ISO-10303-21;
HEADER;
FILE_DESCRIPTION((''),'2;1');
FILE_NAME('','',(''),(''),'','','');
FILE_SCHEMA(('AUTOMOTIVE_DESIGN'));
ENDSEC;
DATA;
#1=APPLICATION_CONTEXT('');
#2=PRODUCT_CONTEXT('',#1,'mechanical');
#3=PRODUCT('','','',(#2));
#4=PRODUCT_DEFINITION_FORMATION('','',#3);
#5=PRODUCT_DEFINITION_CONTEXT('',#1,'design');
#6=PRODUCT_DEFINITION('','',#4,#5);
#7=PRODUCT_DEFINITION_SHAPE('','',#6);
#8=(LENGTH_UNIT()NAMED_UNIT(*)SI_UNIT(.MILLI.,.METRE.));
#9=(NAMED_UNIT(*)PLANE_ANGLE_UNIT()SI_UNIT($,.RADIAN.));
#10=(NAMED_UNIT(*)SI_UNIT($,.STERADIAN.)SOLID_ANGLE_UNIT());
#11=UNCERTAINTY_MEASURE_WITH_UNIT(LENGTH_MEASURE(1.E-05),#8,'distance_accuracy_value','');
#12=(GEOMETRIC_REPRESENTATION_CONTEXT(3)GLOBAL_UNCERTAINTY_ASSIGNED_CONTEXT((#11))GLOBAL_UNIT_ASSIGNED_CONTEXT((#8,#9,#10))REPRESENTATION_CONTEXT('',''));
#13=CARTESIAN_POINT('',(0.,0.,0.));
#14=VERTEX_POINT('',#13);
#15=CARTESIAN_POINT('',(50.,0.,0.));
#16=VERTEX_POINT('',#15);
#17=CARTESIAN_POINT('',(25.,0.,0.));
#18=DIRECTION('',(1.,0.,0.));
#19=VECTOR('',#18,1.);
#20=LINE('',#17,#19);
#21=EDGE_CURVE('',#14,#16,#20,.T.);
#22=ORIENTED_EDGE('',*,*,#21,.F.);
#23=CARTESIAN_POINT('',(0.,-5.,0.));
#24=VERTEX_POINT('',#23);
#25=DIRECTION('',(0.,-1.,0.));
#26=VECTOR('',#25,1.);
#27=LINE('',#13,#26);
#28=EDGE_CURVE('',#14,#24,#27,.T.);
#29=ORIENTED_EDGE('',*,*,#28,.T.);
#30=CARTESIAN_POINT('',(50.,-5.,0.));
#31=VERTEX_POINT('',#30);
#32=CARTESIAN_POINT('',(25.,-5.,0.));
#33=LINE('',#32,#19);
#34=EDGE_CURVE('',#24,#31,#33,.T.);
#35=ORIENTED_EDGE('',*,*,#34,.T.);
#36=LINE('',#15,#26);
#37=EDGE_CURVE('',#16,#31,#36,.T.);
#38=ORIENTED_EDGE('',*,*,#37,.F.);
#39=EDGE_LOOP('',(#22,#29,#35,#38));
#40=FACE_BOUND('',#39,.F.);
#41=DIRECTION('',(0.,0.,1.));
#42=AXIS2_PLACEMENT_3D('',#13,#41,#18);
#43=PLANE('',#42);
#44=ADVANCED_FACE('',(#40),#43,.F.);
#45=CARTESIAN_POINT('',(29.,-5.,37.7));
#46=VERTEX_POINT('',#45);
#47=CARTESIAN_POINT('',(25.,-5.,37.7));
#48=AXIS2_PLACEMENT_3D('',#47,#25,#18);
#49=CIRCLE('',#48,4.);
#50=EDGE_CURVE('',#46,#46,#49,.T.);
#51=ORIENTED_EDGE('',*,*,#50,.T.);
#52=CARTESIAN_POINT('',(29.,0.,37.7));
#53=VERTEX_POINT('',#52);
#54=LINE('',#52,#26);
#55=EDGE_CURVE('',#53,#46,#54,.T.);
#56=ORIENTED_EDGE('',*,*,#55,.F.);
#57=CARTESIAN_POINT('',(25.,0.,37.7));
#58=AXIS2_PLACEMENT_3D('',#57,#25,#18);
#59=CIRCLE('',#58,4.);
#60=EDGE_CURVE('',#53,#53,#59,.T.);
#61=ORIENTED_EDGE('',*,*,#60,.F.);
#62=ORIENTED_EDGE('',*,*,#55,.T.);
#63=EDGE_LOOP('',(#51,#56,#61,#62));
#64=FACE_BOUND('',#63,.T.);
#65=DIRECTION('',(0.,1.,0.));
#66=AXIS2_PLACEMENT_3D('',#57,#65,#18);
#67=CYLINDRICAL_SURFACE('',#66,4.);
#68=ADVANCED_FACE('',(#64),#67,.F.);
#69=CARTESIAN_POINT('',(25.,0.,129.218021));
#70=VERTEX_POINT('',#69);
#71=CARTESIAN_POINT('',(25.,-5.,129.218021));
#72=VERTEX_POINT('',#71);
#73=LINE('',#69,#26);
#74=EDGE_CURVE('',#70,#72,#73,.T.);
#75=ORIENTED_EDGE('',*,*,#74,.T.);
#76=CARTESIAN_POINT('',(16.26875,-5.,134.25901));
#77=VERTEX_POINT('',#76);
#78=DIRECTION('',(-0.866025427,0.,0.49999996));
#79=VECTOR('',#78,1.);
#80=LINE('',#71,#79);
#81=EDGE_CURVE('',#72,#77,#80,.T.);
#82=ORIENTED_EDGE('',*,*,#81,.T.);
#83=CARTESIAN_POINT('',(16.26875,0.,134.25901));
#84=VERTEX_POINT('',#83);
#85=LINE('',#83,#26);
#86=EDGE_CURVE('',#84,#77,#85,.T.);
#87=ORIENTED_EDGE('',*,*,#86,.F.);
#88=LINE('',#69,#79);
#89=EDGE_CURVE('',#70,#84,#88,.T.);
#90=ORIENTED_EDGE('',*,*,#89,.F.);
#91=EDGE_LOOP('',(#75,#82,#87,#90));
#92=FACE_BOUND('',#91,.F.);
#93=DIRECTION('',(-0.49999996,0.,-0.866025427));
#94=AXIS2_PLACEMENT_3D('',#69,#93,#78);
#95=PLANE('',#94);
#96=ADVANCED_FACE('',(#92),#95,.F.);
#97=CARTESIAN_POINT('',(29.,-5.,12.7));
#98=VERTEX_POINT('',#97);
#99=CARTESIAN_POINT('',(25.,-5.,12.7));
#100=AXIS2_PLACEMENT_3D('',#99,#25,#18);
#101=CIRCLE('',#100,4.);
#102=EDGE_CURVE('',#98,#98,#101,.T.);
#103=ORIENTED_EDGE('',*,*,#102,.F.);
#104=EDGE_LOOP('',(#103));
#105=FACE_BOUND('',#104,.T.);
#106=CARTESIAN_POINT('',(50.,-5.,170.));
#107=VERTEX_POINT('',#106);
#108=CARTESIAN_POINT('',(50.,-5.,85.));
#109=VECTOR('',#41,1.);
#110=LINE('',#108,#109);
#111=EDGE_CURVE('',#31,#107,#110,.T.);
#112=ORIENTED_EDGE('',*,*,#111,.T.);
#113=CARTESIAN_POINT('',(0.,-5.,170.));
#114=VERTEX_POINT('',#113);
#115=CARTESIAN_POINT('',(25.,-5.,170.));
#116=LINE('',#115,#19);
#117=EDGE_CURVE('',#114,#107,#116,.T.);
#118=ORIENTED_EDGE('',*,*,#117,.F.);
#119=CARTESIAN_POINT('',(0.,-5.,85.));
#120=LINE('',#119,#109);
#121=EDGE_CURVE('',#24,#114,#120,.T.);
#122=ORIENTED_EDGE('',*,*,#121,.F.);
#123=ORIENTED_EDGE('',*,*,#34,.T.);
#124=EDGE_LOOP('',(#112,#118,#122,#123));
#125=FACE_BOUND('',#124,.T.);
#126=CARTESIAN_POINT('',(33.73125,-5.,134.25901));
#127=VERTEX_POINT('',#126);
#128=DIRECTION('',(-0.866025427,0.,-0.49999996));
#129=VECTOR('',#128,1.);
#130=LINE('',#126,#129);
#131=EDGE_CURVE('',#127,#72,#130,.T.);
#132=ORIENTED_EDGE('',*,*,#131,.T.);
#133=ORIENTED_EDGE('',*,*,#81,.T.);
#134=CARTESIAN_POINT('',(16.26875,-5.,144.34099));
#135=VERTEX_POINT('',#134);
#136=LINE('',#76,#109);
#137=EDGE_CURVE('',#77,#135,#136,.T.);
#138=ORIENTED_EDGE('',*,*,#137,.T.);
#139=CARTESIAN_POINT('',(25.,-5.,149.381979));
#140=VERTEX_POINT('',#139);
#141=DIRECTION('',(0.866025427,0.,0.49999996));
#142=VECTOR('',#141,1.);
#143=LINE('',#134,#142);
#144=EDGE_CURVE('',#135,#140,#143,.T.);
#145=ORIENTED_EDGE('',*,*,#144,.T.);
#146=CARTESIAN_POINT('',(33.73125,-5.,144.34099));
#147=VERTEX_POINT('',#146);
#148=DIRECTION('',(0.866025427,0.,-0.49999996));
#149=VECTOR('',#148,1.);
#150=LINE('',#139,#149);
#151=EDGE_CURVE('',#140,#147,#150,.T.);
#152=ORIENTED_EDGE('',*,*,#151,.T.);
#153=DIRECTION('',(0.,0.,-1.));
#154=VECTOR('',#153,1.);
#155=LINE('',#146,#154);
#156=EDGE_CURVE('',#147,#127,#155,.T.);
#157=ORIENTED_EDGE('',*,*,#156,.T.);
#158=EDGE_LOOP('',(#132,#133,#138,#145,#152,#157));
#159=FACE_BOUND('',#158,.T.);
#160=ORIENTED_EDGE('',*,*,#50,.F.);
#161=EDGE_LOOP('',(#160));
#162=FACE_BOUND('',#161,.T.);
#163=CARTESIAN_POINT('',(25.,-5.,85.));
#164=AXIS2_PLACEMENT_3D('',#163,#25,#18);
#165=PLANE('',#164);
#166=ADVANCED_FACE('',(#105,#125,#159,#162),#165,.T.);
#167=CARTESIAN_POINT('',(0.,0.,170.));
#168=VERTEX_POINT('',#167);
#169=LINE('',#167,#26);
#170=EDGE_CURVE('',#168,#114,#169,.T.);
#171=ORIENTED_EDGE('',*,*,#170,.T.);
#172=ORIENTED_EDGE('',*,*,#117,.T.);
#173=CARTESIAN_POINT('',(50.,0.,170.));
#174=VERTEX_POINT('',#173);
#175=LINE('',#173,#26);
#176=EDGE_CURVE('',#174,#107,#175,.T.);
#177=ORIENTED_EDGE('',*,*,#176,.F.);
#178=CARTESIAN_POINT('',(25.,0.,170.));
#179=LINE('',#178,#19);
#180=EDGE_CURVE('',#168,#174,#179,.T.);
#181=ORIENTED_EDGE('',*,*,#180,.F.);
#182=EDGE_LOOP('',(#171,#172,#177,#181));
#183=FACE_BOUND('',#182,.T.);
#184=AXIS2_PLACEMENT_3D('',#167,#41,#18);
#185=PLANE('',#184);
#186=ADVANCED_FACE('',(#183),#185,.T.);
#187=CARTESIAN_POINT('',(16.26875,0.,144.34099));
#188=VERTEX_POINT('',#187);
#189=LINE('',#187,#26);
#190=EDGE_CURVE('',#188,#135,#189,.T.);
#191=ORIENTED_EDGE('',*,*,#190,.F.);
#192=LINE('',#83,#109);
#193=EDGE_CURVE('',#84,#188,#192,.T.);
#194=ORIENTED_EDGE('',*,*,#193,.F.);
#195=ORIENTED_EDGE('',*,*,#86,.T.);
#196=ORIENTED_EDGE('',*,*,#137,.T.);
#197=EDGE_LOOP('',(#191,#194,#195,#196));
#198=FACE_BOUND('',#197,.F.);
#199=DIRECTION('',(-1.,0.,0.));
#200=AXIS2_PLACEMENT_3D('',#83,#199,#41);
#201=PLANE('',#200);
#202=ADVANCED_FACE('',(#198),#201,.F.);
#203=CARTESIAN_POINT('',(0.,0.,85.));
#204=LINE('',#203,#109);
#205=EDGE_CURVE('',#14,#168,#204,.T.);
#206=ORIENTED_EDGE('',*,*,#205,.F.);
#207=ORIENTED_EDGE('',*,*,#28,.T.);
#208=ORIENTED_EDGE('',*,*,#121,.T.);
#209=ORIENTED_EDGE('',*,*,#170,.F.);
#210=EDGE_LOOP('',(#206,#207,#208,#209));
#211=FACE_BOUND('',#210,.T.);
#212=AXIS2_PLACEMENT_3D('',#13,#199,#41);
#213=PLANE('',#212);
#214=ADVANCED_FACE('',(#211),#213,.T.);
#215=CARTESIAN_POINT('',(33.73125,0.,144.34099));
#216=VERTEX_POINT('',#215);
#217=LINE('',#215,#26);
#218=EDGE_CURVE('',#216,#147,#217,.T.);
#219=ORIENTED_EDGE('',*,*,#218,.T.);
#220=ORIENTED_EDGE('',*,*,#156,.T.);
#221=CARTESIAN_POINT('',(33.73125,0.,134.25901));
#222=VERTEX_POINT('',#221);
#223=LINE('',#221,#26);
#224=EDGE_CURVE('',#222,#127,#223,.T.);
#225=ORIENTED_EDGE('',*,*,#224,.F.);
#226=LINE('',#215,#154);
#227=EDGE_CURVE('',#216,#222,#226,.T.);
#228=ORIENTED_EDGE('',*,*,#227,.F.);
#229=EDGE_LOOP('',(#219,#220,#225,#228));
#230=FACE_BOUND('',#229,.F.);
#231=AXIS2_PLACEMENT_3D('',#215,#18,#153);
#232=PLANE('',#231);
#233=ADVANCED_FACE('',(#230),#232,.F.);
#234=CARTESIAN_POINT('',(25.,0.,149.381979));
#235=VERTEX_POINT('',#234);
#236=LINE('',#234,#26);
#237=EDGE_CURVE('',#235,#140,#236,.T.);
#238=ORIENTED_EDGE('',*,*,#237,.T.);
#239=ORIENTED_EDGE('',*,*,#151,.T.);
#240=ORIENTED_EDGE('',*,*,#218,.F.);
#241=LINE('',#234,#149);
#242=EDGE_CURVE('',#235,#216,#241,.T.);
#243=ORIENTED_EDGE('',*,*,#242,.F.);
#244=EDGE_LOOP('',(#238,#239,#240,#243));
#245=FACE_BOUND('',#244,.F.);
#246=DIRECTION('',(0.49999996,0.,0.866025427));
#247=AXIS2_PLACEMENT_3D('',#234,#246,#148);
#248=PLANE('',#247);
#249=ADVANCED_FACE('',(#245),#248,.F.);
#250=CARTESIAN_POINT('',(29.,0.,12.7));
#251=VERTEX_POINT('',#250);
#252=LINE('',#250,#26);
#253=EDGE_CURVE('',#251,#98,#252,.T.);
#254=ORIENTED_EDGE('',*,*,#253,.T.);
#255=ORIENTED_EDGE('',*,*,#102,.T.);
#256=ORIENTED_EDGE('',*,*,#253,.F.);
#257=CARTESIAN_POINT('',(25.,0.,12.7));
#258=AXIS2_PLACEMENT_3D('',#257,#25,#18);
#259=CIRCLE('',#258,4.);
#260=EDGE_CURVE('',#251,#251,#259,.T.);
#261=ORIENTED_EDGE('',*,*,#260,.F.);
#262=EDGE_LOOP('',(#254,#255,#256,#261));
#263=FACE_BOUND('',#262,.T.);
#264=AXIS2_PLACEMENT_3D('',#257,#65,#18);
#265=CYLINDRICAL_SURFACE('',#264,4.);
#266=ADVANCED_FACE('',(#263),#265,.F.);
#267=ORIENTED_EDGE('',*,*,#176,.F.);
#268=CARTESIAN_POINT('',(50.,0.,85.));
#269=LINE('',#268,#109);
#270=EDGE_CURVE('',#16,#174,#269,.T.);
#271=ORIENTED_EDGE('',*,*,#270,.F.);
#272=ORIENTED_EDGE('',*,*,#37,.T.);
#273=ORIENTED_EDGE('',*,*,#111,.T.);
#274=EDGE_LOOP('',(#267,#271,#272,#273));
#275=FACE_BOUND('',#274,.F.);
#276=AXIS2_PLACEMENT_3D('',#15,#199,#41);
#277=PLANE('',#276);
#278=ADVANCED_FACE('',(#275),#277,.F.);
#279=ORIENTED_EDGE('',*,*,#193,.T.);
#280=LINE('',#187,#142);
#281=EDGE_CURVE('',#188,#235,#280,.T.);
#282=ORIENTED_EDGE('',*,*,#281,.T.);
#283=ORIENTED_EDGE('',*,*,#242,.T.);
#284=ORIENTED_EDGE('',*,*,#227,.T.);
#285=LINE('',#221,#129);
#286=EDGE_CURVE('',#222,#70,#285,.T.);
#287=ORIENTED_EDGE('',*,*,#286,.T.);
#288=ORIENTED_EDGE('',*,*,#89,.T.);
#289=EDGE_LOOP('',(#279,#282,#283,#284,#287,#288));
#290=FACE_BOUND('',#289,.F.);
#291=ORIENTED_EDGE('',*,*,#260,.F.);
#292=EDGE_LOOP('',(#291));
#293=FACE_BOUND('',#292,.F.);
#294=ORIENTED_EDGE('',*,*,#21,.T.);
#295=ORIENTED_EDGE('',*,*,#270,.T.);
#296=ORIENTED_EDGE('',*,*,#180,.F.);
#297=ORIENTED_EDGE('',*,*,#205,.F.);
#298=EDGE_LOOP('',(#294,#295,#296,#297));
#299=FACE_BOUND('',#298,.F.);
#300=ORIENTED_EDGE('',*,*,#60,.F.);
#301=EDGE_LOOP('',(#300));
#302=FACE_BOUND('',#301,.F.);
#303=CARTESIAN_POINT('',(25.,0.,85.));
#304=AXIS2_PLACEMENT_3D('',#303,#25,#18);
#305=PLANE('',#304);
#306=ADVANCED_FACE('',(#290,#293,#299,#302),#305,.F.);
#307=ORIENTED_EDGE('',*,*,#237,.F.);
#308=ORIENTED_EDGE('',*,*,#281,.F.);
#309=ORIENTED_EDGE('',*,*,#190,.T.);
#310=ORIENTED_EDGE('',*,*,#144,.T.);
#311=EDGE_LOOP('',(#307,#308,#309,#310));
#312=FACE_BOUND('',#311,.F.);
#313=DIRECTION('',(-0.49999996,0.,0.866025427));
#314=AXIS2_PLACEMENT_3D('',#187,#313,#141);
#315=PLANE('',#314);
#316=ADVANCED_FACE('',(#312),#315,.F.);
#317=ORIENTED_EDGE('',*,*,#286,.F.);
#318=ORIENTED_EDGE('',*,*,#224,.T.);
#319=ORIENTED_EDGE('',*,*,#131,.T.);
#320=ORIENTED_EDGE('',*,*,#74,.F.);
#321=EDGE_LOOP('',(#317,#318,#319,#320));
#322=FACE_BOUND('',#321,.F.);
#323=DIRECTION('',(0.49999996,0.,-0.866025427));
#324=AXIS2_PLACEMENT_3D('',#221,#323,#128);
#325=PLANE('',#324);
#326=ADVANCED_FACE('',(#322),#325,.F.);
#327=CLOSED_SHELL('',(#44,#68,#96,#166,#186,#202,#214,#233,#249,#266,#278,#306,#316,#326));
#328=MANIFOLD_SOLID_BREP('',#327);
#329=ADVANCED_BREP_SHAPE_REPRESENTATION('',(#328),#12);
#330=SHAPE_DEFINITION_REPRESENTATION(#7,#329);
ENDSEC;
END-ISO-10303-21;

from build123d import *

# Parameters (mm, degrees)
F0_W     = 50
F0_H     = 170
F0_R     = 4
F1_DEPTH = 5


with BuildPart() as f1:
    # F0 (on Front) → F1 (new body)
    with BuildSketch(Plane.XZ):
        with Locations((25, 85)):
            Rectangle(F0_W, F0_H)
        with Locations((25, 12.7)):
            Circle(F0_R, mode=Mode.SUBTRACT)
        with Locations((25, 37.7)):
            Circle(F0_R, mode=Mode.SUBTRACT)
        Polygon((25, 149.381979), (33.73125, 144.34099), (33.73125, 134.25901), (25, 129.218021), (16.26875, 134.25901), (16.26875, 144.34099), align=None, mode=Mode.SUBTRACT)
    extrude(amount=F1_DEPTH)


solid = f1.part
